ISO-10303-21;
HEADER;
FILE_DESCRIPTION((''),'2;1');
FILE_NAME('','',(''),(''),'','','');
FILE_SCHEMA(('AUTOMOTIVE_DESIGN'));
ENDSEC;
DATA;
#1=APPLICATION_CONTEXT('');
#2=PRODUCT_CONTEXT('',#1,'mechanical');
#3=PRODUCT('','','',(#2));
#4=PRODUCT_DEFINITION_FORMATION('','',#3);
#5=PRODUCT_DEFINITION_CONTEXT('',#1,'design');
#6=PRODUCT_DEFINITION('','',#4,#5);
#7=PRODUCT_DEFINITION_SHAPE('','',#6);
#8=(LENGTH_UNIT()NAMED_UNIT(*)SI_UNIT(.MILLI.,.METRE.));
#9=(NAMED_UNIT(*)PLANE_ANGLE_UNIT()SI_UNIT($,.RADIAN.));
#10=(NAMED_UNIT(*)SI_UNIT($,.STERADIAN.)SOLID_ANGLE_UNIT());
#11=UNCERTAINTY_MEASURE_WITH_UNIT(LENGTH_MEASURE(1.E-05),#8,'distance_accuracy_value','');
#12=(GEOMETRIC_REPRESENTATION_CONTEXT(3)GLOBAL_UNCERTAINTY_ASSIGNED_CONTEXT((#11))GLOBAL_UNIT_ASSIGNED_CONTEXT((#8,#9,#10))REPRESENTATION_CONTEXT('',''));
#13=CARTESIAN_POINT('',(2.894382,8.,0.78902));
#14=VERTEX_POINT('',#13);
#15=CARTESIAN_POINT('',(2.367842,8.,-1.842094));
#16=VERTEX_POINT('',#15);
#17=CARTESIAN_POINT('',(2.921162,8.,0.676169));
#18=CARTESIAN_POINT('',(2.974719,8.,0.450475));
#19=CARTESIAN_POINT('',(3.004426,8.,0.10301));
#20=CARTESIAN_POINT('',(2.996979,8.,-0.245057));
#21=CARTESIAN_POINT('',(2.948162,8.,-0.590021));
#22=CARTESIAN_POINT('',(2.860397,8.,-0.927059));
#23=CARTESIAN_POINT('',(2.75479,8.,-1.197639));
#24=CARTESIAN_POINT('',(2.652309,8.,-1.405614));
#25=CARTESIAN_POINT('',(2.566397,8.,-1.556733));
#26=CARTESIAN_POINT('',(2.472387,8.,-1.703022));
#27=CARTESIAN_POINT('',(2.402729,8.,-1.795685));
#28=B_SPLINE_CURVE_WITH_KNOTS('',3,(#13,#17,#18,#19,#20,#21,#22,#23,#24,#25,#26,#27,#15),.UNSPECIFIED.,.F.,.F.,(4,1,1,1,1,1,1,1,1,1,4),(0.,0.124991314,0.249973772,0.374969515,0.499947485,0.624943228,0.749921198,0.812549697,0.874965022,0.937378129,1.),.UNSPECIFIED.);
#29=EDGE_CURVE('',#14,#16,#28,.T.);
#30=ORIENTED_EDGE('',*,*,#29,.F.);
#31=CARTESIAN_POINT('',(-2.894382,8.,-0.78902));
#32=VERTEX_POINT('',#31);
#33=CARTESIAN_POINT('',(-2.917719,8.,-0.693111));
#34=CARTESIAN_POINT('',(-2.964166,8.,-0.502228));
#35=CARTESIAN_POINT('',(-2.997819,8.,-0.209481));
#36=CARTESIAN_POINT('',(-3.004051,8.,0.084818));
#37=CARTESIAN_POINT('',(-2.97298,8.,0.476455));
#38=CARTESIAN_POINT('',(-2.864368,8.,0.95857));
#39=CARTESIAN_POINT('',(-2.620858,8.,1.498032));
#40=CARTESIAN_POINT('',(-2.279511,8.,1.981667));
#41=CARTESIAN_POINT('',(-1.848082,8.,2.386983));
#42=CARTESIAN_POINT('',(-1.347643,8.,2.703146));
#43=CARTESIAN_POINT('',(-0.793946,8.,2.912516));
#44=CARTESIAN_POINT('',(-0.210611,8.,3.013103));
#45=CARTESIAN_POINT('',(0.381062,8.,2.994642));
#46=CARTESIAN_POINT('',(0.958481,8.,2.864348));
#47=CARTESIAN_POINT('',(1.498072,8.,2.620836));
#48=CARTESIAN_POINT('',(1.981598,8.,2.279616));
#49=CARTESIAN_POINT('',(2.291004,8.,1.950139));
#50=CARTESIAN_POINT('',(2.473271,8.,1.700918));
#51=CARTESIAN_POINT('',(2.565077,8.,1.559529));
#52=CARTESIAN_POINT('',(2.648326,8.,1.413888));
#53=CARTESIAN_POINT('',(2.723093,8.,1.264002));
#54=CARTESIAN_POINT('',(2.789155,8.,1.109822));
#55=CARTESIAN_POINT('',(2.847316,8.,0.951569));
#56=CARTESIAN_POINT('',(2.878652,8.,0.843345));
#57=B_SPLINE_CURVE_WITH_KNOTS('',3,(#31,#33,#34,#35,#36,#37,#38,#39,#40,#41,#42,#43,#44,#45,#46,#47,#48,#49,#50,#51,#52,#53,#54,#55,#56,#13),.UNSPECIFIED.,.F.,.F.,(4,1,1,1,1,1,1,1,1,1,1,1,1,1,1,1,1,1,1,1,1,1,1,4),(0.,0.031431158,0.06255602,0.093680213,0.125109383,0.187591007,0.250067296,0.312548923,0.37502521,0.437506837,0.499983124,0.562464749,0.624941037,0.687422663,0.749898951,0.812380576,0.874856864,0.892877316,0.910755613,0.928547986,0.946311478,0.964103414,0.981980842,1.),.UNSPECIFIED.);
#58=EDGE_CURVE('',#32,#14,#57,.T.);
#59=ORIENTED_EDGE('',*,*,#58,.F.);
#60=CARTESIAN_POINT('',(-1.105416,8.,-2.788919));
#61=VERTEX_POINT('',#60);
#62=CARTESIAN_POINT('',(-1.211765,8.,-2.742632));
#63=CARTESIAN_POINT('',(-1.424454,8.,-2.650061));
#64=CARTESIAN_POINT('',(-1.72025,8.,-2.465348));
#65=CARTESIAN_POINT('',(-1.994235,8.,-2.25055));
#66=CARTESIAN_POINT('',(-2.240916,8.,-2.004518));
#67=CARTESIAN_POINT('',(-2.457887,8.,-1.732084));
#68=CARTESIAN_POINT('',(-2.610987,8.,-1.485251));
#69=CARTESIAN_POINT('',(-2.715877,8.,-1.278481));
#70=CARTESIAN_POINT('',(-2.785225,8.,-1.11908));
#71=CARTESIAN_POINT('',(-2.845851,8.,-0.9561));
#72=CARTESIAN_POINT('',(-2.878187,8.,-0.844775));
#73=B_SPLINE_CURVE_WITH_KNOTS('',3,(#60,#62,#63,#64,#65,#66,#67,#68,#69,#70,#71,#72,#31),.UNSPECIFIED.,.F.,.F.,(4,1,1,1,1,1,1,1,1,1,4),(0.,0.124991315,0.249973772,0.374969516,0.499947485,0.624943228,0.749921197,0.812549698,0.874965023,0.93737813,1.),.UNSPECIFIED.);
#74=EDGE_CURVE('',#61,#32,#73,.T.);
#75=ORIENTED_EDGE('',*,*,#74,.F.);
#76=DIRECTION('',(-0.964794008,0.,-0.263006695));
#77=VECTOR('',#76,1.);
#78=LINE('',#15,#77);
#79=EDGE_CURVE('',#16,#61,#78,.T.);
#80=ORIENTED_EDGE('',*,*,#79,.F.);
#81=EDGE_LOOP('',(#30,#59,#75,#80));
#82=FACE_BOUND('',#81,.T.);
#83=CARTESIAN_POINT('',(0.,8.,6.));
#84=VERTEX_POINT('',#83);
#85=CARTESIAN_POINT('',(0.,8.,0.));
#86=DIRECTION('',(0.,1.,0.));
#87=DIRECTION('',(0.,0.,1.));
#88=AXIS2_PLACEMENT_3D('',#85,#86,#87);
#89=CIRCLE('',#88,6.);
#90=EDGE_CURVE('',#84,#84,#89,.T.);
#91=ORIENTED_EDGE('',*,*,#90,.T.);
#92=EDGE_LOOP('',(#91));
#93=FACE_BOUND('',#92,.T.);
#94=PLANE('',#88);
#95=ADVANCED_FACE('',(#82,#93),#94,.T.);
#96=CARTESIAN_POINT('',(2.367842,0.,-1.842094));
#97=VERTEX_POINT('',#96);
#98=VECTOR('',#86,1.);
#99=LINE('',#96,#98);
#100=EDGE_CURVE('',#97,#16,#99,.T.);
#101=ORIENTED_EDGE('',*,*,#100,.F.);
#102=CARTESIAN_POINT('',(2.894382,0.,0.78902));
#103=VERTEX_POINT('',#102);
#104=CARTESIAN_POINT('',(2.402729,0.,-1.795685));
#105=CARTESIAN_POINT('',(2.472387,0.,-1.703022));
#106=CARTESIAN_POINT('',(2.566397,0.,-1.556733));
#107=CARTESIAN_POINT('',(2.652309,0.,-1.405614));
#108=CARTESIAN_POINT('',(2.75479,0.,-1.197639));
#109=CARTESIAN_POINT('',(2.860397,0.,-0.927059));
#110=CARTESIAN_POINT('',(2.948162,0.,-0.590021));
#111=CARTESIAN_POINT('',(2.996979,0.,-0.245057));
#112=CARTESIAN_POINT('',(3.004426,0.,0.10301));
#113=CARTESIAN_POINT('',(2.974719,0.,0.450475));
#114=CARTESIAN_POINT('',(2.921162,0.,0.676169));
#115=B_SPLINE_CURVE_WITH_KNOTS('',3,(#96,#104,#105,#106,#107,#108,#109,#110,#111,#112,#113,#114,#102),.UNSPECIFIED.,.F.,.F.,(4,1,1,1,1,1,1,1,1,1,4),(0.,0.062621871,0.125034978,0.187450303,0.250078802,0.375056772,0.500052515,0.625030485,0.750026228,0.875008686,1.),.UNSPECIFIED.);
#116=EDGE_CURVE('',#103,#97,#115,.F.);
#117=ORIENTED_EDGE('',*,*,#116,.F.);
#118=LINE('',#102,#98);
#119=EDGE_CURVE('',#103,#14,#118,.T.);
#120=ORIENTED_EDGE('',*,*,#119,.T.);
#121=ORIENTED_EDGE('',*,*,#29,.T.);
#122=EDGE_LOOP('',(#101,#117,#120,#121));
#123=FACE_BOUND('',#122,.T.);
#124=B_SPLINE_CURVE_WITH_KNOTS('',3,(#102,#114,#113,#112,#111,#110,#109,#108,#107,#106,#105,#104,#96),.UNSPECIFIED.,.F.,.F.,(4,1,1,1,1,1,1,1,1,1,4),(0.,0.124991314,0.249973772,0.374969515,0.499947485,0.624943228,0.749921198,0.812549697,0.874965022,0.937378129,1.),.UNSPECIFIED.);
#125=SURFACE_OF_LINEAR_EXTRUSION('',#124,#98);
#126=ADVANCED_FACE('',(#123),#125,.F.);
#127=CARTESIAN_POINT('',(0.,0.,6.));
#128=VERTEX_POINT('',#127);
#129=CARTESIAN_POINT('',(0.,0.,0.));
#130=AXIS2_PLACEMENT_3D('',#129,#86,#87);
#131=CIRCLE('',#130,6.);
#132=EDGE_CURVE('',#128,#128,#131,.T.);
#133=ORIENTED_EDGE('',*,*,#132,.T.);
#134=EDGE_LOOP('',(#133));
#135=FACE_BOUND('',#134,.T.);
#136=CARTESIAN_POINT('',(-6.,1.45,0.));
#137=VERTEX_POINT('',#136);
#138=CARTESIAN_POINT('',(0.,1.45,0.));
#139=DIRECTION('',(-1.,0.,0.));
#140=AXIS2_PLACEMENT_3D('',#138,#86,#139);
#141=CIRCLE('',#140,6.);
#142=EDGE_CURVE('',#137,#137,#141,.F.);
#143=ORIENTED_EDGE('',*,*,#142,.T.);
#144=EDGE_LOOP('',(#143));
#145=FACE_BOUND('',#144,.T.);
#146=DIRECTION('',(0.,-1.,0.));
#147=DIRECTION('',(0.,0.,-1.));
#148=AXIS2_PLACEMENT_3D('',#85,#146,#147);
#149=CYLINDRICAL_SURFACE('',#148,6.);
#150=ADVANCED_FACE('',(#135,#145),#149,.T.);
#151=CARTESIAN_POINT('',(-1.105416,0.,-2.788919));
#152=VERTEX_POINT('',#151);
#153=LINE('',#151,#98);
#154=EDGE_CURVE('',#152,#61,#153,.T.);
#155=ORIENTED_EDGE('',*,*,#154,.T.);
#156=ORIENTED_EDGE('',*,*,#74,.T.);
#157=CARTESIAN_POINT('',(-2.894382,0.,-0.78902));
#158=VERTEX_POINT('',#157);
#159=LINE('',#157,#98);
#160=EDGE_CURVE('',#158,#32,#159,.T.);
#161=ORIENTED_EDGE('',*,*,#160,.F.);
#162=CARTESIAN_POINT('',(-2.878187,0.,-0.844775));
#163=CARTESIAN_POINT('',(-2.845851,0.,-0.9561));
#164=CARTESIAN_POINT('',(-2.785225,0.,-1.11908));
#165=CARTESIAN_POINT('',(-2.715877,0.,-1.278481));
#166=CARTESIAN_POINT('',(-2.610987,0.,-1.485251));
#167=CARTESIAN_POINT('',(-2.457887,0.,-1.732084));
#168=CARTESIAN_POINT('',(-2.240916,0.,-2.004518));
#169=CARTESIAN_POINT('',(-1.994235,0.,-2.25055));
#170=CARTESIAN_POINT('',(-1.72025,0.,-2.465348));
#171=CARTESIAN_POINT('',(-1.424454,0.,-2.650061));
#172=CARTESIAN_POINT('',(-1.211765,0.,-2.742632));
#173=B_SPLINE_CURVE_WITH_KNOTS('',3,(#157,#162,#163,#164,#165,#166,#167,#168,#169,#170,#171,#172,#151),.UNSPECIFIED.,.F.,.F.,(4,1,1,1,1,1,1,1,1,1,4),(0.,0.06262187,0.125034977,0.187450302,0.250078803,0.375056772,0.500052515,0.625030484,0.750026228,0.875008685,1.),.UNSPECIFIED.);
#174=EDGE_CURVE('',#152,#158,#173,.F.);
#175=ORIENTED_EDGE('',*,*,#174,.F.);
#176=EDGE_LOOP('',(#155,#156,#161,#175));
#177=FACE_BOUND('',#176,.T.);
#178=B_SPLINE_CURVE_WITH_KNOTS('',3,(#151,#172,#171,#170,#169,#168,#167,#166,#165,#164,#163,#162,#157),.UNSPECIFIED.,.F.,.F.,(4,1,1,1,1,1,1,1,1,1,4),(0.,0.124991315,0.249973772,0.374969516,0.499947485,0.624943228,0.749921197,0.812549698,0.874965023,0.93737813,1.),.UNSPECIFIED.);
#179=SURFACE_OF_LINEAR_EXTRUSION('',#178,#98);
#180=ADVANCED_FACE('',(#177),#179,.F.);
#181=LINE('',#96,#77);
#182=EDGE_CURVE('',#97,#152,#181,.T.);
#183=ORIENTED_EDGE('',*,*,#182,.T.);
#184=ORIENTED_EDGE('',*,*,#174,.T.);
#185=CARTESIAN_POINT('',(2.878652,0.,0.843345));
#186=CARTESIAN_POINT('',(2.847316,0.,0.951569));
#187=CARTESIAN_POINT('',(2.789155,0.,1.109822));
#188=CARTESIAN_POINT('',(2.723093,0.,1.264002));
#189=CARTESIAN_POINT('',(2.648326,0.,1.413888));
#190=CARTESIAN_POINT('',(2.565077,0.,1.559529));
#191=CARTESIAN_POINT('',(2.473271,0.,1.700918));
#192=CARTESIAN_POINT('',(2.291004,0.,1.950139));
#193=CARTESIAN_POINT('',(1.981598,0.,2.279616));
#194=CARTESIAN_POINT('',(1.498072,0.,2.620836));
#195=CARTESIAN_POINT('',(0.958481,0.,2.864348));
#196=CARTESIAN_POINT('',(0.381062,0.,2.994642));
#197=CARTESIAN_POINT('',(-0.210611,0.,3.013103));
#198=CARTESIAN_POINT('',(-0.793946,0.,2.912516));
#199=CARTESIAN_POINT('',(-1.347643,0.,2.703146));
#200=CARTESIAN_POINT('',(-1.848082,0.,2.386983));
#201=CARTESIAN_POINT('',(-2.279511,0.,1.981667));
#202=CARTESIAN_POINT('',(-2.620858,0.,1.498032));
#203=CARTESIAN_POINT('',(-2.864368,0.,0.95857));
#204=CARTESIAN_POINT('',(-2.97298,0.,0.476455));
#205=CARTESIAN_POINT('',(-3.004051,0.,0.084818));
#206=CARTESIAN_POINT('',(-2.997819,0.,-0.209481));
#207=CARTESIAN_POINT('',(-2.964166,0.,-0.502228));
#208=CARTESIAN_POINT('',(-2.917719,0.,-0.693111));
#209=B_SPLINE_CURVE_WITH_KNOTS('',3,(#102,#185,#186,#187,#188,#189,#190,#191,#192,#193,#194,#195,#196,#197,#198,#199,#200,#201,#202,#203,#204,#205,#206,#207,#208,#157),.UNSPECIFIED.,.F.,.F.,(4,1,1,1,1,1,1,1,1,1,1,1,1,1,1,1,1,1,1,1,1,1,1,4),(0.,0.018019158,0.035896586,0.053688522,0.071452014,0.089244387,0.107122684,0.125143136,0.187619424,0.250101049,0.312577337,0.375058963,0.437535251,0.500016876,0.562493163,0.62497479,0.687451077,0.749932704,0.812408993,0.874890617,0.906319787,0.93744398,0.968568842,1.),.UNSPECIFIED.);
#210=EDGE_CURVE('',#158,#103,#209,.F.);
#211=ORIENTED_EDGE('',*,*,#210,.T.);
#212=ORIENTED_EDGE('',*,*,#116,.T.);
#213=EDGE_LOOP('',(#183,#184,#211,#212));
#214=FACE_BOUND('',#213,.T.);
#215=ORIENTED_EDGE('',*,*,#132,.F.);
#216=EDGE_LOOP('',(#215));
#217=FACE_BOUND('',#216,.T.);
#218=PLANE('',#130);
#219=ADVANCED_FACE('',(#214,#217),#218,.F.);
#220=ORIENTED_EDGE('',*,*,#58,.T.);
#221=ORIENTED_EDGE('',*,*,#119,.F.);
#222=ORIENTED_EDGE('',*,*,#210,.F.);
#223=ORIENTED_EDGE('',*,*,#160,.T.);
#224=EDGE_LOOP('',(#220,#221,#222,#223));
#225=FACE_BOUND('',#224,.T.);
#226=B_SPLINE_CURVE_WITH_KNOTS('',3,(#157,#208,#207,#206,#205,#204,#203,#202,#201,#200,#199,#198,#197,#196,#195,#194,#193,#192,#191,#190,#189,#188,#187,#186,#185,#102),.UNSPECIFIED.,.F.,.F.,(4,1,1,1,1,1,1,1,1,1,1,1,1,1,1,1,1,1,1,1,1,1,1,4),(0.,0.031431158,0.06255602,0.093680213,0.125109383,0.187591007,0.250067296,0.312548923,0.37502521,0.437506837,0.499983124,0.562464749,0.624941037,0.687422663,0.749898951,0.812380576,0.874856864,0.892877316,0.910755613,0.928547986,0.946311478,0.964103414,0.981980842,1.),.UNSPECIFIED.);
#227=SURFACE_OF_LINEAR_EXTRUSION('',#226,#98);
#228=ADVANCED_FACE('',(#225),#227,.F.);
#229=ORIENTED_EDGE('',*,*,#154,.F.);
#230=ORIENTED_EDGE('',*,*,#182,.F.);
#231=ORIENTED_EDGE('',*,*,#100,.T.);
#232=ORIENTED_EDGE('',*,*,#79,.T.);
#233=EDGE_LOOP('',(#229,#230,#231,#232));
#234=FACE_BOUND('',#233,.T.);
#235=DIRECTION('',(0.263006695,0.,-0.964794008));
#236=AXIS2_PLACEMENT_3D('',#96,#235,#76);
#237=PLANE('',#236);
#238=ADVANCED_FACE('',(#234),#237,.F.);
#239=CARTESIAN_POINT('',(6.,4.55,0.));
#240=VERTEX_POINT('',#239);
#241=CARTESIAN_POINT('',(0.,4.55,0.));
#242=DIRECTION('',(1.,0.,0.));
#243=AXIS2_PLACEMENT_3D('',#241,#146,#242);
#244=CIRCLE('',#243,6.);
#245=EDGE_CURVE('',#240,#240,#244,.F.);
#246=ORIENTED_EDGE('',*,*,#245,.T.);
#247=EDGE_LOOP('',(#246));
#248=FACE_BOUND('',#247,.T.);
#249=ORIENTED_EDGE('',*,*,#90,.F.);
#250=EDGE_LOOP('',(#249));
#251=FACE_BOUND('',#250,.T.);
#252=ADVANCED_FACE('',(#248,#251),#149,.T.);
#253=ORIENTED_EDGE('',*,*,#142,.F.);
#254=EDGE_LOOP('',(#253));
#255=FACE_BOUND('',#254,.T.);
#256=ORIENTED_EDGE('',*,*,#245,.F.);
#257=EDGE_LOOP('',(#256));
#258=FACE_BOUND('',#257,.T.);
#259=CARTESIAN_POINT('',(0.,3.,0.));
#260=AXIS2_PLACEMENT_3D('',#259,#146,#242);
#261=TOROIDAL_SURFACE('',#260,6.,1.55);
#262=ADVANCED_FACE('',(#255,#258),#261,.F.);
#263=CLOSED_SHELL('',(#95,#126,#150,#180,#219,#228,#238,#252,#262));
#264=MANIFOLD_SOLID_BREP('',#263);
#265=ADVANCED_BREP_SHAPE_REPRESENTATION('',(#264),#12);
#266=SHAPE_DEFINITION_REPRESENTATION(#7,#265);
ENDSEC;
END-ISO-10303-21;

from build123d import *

# Parameters (mm, degrees)
SKETCH1_R           = 6
BOSS_EXTRUDE1_DEPTH = 8
SKETCH2_R           = 1.55
CUT_EXTRUDE1_DEPTH  = 8


with BuildPart() as part:
    # Sketch1 → Boss-Extrude1 (new body)
    with BuildSketch(Plane(origin=(0, 0, 0), x_dir=(1, 0, 0), z_dir=(0, 1, 0))):
        Circle(SKETCH1_R)
    extrude(amount=BOSS_EXTRUDE1_DEPTH)

    # Sketch2 → Cut-Revolve1 (revolve, cut)
    with BuildSketch(Plane.XY):
        with Locations((6, 3)):
            Circle(SKETCH2_R)
    revolve(axis=Axis((0, 0, 0), (0, 1, 0)), mode=Mode.SUBTRACT)

    # Sketch4 → Cut-Extrude1 (cut)
    with BuildSketch(Plane(origin=(0, 8, 0), x_dir=(1, 0, 0), z_dir=(0, 1, 0))):
        with BuildLine():
            Line((2.367842107, 1.842094434), (-1.105416324, 2.788918537))
            add(Edge.make_bspline(
                [(-1.105416324, 2.788918537), (-1.211764888, 2.742631763), (-1.424454479, 2.650061493), (-1.720250186, 2.465348), (-1.994235491, 2.250550124), (-2.240915768, 2.004518267), (-2.457887126, 1.732083649), (-2.610986563, 1.48525109), (-2.715877402, 1.278481127), (-2.78522539, 1.119080225), (-2.845851316, 0.956099515), (-2.87818707, 0.844775171), (-2.894381942, 0.789020063)],
                knots=[0, 0, 0, 0, 0.124991315, 0.249973772, 0.374969516, 0.499947485, 0.624943228, 0.749921197, 0.812549698, 0.874965023, 0.93737813, 1, 1, 1, 1], degree=3))
            add(Edge.make_bspline(
                [(-2.894381942, 0.789020063), (-2.91771894, 0.693111264), (-2.96416552, 0.502228293), (-2.997819256, 0.209481258), (-3.004051012, -0.084817673), (-2.972979949, -0.476455315), (-2.864367877, -0.958570493), (-2.620857625, -1.498032442), (-2.279511198, -1.981666548), (-1.848081992, -2.386982606), (-1.347643479, -2.703146387), (-0.793946169, -2.912516199), (-0.21061126, -3.013102534), (0.381062278, -2.994642374), (0.958480559, -2.864348225), (1.498072184, -2.620836257), (1.981597519, -2.279616329), (2.29100443, -1.950138678), (2.473270872, -1.700917619), (2.56507701, -1.55952933), (2.648325999, -1.413887775), (2.723092545, -1.264002096), (2.789155439, -1.109821709), (2.84731552, -0.951568689), (2.878651893, -0.84334537), (2.894381942, -0.789020063)],
                knots=[0, 0, 0, 0, 0.031431158, 0.06255602, 0.093680213, 0.125109383, 0.187591007, 0.250067296, 0.312548923, 0.37502521, 0.437506837, 0.499983124, 0.562464749, 0.624941037, 0.687422663, 0.749898951, 0.812380576, 0.874856864, 0.892877316, 0.910755613, 0.928547986, 0.946311478, 0.964103414, 0.981980842, 1, 1, 1, 1], degree=3))
            add(Edge.make_bspline(
                [(2.894381942, -0.789020063), (2.921161696, -0.676169025), (2.974719306, -0.450474947), (3.004425987, -0.103009906), (2.996978881, 0.245057447), (2.94816153, 0.590021165), (2.860396577, 0.9270594), (2.754790092, 1.197638787), (2.652308524, 1.405613669), (2.566396509, 1.55673277), (2.472387401, 1.703022102), (2.402729306, 1.795685419), (2.367842107, 1.842094434)],
                knots=[0, 0, 0, 0, 0.124991314, 0.249973772, 0.374969515, 0.499947485, 0.624943228, 0.749921198, 0.812549697, 0.874965022, 0.937378129, 1, 1, 1, 1], degree=3))
        make_face()
    extrude(amount=-CUT_EXTRUDE1_DEPTH, mode=Mode.SUBTRACT)


solid = part.part
